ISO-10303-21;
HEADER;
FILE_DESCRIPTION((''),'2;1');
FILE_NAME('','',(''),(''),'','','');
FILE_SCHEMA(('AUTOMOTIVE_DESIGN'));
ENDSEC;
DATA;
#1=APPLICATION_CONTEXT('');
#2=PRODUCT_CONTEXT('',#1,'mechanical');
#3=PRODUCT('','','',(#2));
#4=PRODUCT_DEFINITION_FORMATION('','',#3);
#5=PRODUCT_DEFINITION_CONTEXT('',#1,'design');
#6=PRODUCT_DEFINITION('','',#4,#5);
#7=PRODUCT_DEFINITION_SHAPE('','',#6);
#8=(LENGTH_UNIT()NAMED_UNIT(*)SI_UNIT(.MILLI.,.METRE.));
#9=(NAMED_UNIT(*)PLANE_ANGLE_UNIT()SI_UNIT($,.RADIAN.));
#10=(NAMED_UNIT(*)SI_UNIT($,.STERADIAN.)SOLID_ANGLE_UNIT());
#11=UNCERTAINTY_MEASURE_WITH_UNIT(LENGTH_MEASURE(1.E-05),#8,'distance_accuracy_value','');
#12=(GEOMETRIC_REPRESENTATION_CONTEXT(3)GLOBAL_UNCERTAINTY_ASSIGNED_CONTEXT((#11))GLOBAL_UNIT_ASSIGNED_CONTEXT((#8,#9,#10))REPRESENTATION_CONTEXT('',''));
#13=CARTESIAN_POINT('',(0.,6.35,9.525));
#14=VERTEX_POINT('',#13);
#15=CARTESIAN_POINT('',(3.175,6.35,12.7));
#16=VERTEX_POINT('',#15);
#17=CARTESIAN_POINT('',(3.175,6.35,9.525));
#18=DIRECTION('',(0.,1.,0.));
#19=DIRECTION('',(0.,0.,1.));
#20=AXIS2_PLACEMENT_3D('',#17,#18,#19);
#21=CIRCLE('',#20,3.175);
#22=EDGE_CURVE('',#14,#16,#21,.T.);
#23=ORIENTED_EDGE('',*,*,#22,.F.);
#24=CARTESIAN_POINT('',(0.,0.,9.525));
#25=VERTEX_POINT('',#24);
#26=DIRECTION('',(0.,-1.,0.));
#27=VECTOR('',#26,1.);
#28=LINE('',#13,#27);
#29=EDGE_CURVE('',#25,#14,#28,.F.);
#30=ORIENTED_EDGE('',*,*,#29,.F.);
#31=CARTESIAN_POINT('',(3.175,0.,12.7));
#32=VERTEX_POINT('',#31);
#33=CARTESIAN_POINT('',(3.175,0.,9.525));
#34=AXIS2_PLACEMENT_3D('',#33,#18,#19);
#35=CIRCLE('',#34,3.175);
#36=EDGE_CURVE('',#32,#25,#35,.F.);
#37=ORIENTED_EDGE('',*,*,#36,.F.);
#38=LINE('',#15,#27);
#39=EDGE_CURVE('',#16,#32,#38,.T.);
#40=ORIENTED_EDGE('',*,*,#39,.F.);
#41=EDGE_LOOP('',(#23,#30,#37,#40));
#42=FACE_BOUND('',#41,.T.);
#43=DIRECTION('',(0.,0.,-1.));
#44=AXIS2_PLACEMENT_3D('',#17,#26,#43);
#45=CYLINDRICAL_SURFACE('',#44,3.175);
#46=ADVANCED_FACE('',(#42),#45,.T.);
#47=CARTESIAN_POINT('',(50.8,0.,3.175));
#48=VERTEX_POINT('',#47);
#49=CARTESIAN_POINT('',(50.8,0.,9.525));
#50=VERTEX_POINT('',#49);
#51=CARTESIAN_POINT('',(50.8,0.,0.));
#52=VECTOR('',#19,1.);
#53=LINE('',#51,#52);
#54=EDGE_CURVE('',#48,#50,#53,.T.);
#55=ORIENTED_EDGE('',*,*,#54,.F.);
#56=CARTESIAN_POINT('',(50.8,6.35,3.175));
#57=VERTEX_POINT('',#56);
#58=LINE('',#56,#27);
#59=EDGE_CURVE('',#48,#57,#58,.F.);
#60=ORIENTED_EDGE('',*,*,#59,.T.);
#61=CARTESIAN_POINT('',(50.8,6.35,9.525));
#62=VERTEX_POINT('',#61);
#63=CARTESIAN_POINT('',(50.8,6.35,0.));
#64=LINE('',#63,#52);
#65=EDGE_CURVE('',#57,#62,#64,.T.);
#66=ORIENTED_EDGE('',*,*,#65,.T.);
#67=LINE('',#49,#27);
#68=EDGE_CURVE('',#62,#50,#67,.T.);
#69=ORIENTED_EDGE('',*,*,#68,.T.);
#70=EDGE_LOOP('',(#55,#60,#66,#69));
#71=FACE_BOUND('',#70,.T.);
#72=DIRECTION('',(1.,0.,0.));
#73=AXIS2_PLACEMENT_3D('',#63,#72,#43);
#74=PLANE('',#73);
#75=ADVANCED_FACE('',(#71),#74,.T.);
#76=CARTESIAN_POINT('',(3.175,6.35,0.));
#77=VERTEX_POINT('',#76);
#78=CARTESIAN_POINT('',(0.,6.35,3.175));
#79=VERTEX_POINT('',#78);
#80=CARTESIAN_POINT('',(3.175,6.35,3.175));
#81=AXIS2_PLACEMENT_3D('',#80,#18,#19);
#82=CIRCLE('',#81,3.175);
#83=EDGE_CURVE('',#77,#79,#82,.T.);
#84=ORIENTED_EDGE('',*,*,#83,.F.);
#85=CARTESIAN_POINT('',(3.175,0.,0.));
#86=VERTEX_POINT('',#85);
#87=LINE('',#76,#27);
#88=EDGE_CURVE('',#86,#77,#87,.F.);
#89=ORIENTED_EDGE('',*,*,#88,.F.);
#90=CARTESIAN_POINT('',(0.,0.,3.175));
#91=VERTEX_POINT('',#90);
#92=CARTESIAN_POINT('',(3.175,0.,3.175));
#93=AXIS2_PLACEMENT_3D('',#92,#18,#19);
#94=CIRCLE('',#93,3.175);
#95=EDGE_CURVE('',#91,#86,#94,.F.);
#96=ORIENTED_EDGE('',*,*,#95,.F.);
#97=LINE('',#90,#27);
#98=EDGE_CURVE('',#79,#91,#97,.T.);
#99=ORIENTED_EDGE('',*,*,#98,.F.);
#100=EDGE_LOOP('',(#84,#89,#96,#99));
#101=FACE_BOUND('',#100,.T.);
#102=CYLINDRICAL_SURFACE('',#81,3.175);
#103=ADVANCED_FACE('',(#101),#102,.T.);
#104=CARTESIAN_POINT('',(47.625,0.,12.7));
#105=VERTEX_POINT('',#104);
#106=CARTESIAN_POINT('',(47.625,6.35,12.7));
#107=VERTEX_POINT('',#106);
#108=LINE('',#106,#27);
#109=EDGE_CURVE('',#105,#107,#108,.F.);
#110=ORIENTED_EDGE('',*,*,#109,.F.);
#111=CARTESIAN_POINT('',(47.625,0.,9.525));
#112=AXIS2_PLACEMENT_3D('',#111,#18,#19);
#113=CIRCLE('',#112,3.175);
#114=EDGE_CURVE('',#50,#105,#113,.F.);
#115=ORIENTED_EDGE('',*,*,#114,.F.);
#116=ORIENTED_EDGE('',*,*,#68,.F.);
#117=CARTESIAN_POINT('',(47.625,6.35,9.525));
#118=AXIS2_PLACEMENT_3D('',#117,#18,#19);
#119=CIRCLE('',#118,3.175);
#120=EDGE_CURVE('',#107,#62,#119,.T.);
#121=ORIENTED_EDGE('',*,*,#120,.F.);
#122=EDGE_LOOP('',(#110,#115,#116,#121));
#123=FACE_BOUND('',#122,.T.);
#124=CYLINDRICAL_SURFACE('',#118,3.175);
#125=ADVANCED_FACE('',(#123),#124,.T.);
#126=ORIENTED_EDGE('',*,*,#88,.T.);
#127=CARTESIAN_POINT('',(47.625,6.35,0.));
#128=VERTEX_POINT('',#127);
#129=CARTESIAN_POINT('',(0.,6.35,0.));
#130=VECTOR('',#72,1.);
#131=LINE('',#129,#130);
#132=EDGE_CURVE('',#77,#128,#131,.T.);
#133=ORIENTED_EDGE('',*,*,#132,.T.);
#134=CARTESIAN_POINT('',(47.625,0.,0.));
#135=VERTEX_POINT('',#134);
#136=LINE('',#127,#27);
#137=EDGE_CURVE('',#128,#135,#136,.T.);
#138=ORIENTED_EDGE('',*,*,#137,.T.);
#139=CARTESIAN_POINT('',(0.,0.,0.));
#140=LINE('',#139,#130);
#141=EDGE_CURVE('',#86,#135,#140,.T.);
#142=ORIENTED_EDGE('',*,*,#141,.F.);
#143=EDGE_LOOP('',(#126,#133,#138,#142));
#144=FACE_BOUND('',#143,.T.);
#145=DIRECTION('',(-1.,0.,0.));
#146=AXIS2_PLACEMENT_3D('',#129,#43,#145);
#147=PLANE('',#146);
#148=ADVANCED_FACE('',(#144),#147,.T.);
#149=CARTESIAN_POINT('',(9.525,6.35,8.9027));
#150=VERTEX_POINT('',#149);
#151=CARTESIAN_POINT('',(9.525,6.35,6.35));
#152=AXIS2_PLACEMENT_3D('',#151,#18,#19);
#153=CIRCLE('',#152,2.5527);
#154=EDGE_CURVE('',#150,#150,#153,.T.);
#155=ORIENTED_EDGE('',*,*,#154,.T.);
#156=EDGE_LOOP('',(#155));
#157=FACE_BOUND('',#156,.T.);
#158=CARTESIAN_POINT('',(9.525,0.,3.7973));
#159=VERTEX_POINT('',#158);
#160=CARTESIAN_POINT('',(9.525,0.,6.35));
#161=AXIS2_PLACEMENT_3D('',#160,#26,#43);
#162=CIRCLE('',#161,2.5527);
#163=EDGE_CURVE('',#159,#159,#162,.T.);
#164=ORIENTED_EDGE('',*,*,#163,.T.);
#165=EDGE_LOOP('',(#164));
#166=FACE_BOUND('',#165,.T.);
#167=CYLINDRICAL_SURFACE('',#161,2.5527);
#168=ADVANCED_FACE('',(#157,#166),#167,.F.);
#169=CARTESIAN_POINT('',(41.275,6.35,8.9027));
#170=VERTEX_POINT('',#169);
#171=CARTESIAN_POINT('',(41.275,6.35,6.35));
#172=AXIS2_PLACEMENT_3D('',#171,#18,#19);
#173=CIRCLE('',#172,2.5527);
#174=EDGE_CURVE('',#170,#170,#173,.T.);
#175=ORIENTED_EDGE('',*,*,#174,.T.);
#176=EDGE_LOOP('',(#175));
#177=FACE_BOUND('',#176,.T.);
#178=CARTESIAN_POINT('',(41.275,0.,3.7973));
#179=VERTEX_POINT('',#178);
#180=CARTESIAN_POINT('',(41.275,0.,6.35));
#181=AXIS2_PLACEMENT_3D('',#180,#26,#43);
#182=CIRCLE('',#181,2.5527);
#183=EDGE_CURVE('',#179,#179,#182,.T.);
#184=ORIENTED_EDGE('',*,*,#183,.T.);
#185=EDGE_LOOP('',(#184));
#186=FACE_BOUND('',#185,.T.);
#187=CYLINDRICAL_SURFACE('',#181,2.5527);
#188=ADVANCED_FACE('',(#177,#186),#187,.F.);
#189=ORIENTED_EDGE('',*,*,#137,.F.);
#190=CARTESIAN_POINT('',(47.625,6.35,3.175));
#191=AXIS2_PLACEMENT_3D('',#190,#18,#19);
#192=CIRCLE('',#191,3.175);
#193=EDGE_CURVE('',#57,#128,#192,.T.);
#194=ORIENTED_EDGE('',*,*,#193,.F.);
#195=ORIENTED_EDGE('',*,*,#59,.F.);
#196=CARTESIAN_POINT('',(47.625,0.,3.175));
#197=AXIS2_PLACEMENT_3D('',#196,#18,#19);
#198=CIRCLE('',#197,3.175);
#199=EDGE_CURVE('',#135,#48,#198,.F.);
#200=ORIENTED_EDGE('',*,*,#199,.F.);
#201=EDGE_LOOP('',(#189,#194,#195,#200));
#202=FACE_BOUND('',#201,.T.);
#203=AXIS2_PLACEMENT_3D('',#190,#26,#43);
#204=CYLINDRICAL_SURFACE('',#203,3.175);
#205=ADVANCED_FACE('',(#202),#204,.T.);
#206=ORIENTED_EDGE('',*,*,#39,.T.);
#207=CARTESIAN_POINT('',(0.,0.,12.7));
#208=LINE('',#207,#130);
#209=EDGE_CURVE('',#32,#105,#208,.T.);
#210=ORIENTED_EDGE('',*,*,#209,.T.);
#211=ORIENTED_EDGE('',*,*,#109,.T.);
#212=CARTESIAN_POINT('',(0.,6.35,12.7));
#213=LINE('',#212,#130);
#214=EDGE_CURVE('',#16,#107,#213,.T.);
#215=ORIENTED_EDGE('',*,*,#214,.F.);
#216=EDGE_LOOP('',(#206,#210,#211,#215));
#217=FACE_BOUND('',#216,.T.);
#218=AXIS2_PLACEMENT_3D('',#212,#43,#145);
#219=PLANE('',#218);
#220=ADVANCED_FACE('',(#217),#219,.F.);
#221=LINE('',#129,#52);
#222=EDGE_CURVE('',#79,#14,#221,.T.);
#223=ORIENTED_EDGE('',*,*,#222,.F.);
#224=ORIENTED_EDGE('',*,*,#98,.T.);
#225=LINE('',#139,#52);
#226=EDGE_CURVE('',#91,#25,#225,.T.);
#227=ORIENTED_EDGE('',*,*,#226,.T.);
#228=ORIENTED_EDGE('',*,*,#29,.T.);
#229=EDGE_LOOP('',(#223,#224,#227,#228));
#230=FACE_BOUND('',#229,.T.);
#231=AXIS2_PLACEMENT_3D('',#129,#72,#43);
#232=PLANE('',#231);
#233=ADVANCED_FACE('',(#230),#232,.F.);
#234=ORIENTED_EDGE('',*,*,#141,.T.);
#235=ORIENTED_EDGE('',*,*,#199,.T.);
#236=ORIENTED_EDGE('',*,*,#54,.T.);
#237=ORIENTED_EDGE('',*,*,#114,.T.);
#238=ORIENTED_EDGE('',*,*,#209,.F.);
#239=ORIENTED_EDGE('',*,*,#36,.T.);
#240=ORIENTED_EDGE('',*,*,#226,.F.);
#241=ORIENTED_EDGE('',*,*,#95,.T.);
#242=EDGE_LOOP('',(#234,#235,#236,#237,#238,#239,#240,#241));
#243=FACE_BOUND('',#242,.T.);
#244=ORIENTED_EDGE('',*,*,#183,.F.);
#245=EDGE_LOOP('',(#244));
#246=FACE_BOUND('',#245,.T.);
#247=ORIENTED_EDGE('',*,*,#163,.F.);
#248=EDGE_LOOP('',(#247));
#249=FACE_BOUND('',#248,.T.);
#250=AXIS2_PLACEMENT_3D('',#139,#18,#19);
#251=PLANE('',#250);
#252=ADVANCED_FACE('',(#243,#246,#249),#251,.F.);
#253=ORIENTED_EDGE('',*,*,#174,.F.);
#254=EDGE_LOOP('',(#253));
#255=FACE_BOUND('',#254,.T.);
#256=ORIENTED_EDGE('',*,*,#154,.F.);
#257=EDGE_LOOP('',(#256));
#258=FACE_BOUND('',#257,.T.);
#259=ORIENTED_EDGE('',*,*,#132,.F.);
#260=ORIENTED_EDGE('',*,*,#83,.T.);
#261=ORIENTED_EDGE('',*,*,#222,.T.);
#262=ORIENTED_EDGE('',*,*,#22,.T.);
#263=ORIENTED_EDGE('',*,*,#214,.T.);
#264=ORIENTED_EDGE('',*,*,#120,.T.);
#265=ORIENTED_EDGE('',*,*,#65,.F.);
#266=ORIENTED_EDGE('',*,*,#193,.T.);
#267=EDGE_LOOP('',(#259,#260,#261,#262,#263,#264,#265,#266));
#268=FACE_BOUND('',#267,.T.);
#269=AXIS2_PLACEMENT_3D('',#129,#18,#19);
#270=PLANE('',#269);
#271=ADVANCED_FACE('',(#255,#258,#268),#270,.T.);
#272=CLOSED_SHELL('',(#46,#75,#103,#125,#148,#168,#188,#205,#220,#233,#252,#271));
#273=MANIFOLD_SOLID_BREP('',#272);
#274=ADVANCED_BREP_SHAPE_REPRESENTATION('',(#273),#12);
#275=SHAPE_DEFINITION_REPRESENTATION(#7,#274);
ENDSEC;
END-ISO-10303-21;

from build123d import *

# Parameters (mm, degrees)
SKETCH1_W                       = 50.8
SKETCH1_H                       = 12.7
BOSS_EXTRUDE1_DEPTH             = 6.35
TAP_DRILL_FOR_1_4_20_TAP1_D     = 5.1054
TAP_DRILL_FOR_1_4_20_TAP1_DEPTH = 6.35
FILLET1_R                       = 3.175


with BuildPart() as part:
    # Sketch1 → Boss-Extrude1 (new body)
    with BuildSketch(Plane(origin=(0, 0, 0), x_dir=(1, 0, 0), z_dir=(0, 1, 0))):
        with Locations((25.4, -6.35)):
            Rectangle(SKETCH1_W, SKETCH1_H)
    extrude(amount=BOSS_EXTRUDE1_DEPTH)

    # Tap Drill for 1/4-20 Tap1
    with Locations(Plane(origin=(0, 0, 0), x_dir=(-1, 0, 0), z_dir=(0, -1, 0))):
        with Locations((-9.525, -6.35), (-41.275, -6.35)):
            Hole(TAP_DRILL_FOR_1_4_20_TAP1_D / 2, depth=TAP_DRILL_FOR_1_4_20_TAP1_DEPTH)

    # Fillet1
    fillet1_edges = [part.edges().sort_by_distance(p)[0] for p in [
        (0, 3.175, 0),
        (50.8, 3.175, 0),
        (50.8, 3.175, 12.7),
        (0, 3.175, 12.7),
    ]]
    fillet(fillet1_edges, radius=FILLET1_R)


solid = part.part
